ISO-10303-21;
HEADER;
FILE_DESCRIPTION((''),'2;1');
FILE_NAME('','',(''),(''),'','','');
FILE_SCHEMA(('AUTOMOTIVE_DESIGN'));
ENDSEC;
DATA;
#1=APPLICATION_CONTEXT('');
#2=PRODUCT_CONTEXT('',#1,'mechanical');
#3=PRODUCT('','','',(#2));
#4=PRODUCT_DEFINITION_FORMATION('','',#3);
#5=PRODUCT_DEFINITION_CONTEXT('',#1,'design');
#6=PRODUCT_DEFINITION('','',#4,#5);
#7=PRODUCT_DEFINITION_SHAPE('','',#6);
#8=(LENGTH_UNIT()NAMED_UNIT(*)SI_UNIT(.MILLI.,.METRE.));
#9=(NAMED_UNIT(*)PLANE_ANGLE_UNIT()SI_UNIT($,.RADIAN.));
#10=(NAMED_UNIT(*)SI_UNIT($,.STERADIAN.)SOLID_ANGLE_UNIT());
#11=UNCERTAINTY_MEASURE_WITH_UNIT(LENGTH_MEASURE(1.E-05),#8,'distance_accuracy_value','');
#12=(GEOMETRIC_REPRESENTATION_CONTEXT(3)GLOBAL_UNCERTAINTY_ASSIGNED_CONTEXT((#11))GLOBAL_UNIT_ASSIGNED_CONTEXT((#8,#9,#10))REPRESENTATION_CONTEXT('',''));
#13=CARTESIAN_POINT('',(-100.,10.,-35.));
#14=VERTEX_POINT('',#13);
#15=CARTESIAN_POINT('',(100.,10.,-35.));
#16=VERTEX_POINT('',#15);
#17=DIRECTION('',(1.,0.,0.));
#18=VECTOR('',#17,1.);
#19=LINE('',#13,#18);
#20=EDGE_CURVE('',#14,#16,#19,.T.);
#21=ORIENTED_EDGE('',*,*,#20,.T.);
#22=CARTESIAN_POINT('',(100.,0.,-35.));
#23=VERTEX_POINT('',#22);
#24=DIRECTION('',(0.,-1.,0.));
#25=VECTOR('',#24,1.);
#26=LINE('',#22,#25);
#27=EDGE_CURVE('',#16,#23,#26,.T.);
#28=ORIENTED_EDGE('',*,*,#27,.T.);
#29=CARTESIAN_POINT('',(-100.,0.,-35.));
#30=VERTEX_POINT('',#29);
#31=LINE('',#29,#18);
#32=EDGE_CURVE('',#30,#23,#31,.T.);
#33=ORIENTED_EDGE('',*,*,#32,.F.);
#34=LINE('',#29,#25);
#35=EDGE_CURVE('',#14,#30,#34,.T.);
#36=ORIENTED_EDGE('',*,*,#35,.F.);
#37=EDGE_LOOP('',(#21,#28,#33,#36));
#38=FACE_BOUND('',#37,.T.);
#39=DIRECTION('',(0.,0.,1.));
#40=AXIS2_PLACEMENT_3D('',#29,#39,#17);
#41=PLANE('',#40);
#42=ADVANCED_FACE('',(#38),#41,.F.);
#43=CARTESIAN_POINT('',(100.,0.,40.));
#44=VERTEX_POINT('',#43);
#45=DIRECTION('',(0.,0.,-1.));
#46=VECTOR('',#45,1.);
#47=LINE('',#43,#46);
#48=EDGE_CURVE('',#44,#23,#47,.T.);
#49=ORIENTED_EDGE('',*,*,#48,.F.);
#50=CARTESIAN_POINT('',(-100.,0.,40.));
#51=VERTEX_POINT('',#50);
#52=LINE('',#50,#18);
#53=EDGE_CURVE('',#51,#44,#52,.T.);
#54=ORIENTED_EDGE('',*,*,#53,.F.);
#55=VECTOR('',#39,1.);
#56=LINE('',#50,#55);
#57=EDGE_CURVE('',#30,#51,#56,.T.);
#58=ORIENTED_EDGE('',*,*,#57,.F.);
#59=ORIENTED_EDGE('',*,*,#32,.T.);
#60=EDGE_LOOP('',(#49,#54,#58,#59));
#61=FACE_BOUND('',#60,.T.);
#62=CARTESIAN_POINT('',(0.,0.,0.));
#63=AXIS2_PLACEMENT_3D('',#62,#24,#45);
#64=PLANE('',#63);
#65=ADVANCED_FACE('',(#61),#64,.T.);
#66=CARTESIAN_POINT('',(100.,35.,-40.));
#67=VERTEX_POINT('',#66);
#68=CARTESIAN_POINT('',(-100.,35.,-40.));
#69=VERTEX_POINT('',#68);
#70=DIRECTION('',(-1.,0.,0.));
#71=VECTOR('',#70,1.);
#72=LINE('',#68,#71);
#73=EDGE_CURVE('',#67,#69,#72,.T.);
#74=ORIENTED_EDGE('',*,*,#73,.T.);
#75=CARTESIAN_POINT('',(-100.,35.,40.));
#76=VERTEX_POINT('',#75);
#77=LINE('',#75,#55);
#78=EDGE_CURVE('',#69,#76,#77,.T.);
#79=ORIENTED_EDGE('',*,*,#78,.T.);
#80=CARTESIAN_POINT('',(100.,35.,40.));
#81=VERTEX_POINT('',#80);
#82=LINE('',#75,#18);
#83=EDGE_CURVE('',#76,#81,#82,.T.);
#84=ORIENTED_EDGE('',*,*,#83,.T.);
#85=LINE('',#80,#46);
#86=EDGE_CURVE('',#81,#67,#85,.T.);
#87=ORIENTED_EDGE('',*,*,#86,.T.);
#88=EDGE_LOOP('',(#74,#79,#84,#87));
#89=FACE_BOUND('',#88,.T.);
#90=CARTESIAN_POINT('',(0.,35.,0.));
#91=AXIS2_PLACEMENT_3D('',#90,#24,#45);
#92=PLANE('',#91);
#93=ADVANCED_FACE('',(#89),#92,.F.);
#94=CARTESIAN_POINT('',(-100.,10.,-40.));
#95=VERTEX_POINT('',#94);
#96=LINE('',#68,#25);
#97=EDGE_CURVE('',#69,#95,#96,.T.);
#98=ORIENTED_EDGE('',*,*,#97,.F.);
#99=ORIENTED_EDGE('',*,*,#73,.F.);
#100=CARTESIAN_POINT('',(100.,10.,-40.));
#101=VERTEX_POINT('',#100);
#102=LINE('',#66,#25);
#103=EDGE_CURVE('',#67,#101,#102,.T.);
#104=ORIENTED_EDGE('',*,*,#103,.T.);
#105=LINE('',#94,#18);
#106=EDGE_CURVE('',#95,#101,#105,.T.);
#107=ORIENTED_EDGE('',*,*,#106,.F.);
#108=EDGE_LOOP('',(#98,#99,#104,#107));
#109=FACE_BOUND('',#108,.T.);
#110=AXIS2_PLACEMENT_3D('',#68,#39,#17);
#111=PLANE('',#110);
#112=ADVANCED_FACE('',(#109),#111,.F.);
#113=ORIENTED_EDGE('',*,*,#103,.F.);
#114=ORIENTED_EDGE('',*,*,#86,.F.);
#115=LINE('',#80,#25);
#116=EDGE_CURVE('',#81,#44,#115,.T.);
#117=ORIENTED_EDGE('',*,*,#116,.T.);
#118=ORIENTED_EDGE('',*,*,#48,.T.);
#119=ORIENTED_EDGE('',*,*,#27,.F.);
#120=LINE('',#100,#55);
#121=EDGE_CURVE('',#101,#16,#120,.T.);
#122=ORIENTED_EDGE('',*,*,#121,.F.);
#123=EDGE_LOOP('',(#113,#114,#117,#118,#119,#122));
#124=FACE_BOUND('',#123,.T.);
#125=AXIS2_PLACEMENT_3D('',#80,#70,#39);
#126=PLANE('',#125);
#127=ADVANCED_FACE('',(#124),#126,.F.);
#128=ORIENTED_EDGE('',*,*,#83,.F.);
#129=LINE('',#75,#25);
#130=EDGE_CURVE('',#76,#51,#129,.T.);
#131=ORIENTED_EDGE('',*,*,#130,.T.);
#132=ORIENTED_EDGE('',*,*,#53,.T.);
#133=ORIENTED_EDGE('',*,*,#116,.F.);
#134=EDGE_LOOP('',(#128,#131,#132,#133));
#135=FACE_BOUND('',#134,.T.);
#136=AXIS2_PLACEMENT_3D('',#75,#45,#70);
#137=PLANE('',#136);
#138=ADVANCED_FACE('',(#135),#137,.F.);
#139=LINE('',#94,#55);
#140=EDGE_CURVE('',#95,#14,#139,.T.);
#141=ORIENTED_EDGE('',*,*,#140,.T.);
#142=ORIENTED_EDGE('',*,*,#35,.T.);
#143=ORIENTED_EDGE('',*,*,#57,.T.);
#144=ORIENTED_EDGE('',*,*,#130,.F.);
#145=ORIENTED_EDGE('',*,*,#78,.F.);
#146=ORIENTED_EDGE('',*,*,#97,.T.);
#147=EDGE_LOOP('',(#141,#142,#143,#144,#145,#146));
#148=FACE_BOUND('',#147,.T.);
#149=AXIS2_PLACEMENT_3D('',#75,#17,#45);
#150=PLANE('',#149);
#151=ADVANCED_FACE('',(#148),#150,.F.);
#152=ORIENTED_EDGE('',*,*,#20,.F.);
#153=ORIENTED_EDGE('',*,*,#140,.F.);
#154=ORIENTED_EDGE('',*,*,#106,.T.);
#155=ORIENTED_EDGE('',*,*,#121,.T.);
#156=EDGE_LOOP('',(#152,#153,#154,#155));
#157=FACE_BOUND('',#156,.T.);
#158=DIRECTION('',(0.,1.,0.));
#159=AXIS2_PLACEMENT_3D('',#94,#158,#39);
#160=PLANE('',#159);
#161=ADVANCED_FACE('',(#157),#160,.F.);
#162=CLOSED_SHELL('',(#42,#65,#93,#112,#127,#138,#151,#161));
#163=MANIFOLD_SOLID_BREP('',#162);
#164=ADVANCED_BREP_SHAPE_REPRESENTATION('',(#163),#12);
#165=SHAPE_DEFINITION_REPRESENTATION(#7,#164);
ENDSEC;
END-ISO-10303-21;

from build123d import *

# Parameters (mm, degrees)
SKETCH1_W           = 200
SKETCH1_H           = 80
BOSS_EXTRUDE1_DEPTH = 35
SKETCH2_W           = 5
SKETCH2_H           = 10
CUT_EXTRUDE1_DEPTH  = 201


with BuildPart() as part:
    # Sketch1 → Boss-Extrude1 (new body)
    with BuildSketch(Plane(origin=(0, 0, 0), x_dir=(1, 0, 0), z_dir=(0, 1, 0))):
        Rectangle(SKETCH1_W, SKETCH1_H)
    extrude(amount=BOSS_EXTRUDE1_DEPTH)

    # Sketch2 → Cut-Extrude1 (cut, through all)
    with BuildSketch(Plane(origin=(100, 0, 0), x_dir=(0, 0, -1), z_dir=(1, 0, 0))):
        with Locations((37.5, 5)):
            Rectangle(SKETCH2_W, SKETCH2_H)
    extrude(amount=-CUT_EXTRUDE1_DEPTH, mode=Mode.SUBTRACT)


solid = part.part
